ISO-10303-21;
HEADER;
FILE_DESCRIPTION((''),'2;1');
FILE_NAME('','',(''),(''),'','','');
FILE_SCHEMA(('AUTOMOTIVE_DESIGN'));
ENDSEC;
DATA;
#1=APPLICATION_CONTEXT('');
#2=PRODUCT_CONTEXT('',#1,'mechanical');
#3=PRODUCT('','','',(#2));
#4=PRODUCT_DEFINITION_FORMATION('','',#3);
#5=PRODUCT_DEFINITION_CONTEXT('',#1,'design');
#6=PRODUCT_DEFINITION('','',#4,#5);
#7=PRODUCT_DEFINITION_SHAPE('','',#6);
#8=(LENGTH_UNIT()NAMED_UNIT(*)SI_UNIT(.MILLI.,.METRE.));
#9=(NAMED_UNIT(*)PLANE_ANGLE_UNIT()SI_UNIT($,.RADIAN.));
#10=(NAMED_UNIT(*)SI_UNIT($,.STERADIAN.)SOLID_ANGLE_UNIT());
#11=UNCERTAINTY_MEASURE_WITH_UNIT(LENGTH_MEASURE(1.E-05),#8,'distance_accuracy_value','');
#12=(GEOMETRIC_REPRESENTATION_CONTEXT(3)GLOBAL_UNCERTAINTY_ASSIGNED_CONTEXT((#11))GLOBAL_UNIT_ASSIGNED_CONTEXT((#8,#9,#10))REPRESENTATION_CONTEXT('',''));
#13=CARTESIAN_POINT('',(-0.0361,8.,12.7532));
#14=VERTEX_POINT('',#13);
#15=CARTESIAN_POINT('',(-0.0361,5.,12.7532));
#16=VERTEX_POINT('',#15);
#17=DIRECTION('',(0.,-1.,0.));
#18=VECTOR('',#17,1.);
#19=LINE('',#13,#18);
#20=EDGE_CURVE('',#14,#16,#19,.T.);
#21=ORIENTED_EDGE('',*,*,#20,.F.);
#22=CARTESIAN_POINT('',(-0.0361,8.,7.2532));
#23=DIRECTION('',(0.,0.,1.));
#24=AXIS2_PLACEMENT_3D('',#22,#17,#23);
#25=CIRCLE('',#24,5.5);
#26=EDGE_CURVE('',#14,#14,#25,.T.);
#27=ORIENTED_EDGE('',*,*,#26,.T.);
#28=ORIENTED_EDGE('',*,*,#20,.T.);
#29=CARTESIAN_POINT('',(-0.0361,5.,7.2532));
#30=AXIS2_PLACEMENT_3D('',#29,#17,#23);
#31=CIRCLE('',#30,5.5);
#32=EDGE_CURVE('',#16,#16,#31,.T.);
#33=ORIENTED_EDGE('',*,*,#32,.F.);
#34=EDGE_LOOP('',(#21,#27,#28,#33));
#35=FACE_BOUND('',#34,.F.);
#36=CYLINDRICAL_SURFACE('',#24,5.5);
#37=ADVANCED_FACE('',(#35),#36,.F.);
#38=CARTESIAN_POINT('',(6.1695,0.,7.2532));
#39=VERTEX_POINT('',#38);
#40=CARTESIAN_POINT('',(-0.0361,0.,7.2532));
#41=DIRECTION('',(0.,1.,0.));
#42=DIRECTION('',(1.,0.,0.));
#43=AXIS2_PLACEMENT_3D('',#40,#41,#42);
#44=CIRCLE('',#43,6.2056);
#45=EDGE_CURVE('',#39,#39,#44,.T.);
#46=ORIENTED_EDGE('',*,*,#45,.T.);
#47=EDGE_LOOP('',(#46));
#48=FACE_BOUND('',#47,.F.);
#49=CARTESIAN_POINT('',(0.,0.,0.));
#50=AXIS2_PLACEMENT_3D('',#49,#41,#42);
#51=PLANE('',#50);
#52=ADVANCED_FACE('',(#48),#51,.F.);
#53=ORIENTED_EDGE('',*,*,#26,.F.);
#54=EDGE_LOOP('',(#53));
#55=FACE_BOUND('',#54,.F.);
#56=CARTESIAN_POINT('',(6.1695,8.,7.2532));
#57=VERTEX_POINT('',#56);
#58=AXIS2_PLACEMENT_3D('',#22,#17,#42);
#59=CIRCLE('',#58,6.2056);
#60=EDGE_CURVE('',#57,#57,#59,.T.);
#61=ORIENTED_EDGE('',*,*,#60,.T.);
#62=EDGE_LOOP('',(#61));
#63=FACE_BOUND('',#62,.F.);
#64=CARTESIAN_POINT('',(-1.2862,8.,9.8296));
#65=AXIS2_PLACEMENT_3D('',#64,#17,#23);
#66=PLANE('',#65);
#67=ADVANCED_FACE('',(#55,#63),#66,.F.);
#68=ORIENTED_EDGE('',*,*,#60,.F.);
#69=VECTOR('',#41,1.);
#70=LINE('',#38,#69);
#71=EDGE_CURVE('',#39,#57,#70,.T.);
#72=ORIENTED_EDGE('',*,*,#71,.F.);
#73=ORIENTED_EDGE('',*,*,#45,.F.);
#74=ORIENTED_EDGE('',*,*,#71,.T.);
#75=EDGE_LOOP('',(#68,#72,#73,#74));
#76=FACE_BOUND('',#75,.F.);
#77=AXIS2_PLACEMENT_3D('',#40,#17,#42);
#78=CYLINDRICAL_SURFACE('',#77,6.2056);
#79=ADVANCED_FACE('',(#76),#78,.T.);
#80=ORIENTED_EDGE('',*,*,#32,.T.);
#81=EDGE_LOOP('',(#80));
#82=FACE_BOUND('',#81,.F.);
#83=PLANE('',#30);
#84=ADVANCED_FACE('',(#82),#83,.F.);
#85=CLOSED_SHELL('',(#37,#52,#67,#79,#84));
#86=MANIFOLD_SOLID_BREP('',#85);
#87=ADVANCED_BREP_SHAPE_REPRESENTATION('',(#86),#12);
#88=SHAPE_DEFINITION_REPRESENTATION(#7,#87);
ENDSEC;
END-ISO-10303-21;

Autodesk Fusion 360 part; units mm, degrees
sketch "Sketch1" plane through (0, 0, 0) normal (0, 0, 1) x (1, 0, 0)
  curve L0
  curve L1
  curve L2
  curve L3
sketch "Sketch2" plane through (0, 0, 0) normal (0, 1, 0) x (1, 0, 0)
  circle A0 centre (-0.0361, -7.2532) radius 6.2056
extrude "Extrude2" add sketch "Sketch2" along normal blind 11
hole "Hole1" at (-1.2862, 11, 9.8296) direction (0, -1, 0) diameter 19 depth 3 tip angle 180
hole "Hole2" at (-0.0361, 8, 7.2532) direction (0, -1, 0) diameter 11 depth 3 tip angle 180
